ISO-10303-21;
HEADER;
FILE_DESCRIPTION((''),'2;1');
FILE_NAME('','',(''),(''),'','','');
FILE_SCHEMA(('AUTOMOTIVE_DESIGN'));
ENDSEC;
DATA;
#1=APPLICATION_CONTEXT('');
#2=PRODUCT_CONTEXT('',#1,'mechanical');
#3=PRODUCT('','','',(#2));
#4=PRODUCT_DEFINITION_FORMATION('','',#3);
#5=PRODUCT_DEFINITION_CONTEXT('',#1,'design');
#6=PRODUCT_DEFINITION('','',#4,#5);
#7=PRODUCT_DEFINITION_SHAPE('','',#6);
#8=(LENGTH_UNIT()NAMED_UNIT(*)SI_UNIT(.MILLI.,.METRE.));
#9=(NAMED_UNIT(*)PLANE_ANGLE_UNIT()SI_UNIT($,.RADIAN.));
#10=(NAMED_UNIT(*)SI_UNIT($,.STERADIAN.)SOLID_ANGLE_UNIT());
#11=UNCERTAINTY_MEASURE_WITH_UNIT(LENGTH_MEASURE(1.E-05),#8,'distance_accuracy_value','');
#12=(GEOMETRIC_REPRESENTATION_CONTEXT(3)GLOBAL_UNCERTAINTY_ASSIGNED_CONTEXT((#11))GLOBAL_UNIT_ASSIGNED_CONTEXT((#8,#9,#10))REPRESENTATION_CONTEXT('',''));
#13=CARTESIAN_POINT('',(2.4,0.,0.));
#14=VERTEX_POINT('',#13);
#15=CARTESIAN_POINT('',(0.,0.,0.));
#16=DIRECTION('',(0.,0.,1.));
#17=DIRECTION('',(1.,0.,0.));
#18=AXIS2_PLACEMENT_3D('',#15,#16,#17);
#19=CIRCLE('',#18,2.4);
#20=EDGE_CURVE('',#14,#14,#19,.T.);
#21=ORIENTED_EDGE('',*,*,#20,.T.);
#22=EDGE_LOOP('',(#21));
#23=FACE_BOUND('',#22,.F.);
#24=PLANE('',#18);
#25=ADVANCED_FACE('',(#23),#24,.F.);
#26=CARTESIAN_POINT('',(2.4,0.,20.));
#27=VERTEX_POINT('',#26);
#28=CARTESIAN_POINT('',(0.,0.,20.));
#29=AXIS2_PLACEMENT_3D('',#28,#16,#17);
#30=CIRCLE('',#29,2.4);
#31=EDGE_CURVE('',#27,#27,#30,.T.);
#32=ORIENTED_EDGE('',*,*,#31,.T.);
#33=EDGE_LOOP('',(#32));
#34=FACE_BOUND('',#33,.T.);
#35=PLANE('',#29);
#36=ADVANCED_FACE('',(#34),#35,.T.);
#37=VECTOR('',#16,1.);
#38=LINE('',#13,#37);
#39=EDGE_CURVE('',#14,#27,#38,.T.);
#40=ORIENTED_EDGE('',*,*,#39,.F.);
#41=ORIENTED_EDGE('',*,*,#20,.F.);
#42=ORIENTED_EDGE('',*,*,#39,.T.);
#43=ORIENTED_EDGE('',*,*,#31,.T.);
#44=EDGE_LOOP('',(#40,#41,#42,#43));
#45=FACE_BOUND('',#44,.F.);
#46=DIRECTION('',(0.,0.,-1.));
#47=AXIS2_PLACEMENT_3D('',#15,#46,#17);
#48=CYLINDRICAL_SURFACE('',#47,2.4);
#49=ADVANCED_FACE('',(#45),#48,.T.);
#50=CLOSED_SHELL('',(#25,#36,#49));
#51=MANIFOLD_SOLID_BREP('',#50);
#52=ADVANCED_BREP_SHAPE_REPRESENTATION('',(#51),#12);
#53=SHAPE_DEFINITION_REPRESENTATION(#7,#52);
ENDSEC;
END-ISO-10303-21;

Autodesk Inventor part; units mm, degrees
ref_plane "YZ Plane" through (0, 0, 0) normal (1, 0, 0) x (0, 1, 0)
ref_plane "XZ Plane" through (0, 0, 0) normal (0, 1, 0) x (-1, 0, 0)
ref_plane "XY Plane" through (0, 0, 0) normal (0, 0, 1) x (1, 0, 0)
sketch "Sketch1" plane through (0, 0, 0) normal (0, 0, 1) x (1, 0, 0)
  circle A0 centre (0, 0) radius 2.4
  dimension "d0" = 4.8
extrude "Extrusion1" add sketch "Sketch1" along normal blind 20
properties part number "Axle 1"
